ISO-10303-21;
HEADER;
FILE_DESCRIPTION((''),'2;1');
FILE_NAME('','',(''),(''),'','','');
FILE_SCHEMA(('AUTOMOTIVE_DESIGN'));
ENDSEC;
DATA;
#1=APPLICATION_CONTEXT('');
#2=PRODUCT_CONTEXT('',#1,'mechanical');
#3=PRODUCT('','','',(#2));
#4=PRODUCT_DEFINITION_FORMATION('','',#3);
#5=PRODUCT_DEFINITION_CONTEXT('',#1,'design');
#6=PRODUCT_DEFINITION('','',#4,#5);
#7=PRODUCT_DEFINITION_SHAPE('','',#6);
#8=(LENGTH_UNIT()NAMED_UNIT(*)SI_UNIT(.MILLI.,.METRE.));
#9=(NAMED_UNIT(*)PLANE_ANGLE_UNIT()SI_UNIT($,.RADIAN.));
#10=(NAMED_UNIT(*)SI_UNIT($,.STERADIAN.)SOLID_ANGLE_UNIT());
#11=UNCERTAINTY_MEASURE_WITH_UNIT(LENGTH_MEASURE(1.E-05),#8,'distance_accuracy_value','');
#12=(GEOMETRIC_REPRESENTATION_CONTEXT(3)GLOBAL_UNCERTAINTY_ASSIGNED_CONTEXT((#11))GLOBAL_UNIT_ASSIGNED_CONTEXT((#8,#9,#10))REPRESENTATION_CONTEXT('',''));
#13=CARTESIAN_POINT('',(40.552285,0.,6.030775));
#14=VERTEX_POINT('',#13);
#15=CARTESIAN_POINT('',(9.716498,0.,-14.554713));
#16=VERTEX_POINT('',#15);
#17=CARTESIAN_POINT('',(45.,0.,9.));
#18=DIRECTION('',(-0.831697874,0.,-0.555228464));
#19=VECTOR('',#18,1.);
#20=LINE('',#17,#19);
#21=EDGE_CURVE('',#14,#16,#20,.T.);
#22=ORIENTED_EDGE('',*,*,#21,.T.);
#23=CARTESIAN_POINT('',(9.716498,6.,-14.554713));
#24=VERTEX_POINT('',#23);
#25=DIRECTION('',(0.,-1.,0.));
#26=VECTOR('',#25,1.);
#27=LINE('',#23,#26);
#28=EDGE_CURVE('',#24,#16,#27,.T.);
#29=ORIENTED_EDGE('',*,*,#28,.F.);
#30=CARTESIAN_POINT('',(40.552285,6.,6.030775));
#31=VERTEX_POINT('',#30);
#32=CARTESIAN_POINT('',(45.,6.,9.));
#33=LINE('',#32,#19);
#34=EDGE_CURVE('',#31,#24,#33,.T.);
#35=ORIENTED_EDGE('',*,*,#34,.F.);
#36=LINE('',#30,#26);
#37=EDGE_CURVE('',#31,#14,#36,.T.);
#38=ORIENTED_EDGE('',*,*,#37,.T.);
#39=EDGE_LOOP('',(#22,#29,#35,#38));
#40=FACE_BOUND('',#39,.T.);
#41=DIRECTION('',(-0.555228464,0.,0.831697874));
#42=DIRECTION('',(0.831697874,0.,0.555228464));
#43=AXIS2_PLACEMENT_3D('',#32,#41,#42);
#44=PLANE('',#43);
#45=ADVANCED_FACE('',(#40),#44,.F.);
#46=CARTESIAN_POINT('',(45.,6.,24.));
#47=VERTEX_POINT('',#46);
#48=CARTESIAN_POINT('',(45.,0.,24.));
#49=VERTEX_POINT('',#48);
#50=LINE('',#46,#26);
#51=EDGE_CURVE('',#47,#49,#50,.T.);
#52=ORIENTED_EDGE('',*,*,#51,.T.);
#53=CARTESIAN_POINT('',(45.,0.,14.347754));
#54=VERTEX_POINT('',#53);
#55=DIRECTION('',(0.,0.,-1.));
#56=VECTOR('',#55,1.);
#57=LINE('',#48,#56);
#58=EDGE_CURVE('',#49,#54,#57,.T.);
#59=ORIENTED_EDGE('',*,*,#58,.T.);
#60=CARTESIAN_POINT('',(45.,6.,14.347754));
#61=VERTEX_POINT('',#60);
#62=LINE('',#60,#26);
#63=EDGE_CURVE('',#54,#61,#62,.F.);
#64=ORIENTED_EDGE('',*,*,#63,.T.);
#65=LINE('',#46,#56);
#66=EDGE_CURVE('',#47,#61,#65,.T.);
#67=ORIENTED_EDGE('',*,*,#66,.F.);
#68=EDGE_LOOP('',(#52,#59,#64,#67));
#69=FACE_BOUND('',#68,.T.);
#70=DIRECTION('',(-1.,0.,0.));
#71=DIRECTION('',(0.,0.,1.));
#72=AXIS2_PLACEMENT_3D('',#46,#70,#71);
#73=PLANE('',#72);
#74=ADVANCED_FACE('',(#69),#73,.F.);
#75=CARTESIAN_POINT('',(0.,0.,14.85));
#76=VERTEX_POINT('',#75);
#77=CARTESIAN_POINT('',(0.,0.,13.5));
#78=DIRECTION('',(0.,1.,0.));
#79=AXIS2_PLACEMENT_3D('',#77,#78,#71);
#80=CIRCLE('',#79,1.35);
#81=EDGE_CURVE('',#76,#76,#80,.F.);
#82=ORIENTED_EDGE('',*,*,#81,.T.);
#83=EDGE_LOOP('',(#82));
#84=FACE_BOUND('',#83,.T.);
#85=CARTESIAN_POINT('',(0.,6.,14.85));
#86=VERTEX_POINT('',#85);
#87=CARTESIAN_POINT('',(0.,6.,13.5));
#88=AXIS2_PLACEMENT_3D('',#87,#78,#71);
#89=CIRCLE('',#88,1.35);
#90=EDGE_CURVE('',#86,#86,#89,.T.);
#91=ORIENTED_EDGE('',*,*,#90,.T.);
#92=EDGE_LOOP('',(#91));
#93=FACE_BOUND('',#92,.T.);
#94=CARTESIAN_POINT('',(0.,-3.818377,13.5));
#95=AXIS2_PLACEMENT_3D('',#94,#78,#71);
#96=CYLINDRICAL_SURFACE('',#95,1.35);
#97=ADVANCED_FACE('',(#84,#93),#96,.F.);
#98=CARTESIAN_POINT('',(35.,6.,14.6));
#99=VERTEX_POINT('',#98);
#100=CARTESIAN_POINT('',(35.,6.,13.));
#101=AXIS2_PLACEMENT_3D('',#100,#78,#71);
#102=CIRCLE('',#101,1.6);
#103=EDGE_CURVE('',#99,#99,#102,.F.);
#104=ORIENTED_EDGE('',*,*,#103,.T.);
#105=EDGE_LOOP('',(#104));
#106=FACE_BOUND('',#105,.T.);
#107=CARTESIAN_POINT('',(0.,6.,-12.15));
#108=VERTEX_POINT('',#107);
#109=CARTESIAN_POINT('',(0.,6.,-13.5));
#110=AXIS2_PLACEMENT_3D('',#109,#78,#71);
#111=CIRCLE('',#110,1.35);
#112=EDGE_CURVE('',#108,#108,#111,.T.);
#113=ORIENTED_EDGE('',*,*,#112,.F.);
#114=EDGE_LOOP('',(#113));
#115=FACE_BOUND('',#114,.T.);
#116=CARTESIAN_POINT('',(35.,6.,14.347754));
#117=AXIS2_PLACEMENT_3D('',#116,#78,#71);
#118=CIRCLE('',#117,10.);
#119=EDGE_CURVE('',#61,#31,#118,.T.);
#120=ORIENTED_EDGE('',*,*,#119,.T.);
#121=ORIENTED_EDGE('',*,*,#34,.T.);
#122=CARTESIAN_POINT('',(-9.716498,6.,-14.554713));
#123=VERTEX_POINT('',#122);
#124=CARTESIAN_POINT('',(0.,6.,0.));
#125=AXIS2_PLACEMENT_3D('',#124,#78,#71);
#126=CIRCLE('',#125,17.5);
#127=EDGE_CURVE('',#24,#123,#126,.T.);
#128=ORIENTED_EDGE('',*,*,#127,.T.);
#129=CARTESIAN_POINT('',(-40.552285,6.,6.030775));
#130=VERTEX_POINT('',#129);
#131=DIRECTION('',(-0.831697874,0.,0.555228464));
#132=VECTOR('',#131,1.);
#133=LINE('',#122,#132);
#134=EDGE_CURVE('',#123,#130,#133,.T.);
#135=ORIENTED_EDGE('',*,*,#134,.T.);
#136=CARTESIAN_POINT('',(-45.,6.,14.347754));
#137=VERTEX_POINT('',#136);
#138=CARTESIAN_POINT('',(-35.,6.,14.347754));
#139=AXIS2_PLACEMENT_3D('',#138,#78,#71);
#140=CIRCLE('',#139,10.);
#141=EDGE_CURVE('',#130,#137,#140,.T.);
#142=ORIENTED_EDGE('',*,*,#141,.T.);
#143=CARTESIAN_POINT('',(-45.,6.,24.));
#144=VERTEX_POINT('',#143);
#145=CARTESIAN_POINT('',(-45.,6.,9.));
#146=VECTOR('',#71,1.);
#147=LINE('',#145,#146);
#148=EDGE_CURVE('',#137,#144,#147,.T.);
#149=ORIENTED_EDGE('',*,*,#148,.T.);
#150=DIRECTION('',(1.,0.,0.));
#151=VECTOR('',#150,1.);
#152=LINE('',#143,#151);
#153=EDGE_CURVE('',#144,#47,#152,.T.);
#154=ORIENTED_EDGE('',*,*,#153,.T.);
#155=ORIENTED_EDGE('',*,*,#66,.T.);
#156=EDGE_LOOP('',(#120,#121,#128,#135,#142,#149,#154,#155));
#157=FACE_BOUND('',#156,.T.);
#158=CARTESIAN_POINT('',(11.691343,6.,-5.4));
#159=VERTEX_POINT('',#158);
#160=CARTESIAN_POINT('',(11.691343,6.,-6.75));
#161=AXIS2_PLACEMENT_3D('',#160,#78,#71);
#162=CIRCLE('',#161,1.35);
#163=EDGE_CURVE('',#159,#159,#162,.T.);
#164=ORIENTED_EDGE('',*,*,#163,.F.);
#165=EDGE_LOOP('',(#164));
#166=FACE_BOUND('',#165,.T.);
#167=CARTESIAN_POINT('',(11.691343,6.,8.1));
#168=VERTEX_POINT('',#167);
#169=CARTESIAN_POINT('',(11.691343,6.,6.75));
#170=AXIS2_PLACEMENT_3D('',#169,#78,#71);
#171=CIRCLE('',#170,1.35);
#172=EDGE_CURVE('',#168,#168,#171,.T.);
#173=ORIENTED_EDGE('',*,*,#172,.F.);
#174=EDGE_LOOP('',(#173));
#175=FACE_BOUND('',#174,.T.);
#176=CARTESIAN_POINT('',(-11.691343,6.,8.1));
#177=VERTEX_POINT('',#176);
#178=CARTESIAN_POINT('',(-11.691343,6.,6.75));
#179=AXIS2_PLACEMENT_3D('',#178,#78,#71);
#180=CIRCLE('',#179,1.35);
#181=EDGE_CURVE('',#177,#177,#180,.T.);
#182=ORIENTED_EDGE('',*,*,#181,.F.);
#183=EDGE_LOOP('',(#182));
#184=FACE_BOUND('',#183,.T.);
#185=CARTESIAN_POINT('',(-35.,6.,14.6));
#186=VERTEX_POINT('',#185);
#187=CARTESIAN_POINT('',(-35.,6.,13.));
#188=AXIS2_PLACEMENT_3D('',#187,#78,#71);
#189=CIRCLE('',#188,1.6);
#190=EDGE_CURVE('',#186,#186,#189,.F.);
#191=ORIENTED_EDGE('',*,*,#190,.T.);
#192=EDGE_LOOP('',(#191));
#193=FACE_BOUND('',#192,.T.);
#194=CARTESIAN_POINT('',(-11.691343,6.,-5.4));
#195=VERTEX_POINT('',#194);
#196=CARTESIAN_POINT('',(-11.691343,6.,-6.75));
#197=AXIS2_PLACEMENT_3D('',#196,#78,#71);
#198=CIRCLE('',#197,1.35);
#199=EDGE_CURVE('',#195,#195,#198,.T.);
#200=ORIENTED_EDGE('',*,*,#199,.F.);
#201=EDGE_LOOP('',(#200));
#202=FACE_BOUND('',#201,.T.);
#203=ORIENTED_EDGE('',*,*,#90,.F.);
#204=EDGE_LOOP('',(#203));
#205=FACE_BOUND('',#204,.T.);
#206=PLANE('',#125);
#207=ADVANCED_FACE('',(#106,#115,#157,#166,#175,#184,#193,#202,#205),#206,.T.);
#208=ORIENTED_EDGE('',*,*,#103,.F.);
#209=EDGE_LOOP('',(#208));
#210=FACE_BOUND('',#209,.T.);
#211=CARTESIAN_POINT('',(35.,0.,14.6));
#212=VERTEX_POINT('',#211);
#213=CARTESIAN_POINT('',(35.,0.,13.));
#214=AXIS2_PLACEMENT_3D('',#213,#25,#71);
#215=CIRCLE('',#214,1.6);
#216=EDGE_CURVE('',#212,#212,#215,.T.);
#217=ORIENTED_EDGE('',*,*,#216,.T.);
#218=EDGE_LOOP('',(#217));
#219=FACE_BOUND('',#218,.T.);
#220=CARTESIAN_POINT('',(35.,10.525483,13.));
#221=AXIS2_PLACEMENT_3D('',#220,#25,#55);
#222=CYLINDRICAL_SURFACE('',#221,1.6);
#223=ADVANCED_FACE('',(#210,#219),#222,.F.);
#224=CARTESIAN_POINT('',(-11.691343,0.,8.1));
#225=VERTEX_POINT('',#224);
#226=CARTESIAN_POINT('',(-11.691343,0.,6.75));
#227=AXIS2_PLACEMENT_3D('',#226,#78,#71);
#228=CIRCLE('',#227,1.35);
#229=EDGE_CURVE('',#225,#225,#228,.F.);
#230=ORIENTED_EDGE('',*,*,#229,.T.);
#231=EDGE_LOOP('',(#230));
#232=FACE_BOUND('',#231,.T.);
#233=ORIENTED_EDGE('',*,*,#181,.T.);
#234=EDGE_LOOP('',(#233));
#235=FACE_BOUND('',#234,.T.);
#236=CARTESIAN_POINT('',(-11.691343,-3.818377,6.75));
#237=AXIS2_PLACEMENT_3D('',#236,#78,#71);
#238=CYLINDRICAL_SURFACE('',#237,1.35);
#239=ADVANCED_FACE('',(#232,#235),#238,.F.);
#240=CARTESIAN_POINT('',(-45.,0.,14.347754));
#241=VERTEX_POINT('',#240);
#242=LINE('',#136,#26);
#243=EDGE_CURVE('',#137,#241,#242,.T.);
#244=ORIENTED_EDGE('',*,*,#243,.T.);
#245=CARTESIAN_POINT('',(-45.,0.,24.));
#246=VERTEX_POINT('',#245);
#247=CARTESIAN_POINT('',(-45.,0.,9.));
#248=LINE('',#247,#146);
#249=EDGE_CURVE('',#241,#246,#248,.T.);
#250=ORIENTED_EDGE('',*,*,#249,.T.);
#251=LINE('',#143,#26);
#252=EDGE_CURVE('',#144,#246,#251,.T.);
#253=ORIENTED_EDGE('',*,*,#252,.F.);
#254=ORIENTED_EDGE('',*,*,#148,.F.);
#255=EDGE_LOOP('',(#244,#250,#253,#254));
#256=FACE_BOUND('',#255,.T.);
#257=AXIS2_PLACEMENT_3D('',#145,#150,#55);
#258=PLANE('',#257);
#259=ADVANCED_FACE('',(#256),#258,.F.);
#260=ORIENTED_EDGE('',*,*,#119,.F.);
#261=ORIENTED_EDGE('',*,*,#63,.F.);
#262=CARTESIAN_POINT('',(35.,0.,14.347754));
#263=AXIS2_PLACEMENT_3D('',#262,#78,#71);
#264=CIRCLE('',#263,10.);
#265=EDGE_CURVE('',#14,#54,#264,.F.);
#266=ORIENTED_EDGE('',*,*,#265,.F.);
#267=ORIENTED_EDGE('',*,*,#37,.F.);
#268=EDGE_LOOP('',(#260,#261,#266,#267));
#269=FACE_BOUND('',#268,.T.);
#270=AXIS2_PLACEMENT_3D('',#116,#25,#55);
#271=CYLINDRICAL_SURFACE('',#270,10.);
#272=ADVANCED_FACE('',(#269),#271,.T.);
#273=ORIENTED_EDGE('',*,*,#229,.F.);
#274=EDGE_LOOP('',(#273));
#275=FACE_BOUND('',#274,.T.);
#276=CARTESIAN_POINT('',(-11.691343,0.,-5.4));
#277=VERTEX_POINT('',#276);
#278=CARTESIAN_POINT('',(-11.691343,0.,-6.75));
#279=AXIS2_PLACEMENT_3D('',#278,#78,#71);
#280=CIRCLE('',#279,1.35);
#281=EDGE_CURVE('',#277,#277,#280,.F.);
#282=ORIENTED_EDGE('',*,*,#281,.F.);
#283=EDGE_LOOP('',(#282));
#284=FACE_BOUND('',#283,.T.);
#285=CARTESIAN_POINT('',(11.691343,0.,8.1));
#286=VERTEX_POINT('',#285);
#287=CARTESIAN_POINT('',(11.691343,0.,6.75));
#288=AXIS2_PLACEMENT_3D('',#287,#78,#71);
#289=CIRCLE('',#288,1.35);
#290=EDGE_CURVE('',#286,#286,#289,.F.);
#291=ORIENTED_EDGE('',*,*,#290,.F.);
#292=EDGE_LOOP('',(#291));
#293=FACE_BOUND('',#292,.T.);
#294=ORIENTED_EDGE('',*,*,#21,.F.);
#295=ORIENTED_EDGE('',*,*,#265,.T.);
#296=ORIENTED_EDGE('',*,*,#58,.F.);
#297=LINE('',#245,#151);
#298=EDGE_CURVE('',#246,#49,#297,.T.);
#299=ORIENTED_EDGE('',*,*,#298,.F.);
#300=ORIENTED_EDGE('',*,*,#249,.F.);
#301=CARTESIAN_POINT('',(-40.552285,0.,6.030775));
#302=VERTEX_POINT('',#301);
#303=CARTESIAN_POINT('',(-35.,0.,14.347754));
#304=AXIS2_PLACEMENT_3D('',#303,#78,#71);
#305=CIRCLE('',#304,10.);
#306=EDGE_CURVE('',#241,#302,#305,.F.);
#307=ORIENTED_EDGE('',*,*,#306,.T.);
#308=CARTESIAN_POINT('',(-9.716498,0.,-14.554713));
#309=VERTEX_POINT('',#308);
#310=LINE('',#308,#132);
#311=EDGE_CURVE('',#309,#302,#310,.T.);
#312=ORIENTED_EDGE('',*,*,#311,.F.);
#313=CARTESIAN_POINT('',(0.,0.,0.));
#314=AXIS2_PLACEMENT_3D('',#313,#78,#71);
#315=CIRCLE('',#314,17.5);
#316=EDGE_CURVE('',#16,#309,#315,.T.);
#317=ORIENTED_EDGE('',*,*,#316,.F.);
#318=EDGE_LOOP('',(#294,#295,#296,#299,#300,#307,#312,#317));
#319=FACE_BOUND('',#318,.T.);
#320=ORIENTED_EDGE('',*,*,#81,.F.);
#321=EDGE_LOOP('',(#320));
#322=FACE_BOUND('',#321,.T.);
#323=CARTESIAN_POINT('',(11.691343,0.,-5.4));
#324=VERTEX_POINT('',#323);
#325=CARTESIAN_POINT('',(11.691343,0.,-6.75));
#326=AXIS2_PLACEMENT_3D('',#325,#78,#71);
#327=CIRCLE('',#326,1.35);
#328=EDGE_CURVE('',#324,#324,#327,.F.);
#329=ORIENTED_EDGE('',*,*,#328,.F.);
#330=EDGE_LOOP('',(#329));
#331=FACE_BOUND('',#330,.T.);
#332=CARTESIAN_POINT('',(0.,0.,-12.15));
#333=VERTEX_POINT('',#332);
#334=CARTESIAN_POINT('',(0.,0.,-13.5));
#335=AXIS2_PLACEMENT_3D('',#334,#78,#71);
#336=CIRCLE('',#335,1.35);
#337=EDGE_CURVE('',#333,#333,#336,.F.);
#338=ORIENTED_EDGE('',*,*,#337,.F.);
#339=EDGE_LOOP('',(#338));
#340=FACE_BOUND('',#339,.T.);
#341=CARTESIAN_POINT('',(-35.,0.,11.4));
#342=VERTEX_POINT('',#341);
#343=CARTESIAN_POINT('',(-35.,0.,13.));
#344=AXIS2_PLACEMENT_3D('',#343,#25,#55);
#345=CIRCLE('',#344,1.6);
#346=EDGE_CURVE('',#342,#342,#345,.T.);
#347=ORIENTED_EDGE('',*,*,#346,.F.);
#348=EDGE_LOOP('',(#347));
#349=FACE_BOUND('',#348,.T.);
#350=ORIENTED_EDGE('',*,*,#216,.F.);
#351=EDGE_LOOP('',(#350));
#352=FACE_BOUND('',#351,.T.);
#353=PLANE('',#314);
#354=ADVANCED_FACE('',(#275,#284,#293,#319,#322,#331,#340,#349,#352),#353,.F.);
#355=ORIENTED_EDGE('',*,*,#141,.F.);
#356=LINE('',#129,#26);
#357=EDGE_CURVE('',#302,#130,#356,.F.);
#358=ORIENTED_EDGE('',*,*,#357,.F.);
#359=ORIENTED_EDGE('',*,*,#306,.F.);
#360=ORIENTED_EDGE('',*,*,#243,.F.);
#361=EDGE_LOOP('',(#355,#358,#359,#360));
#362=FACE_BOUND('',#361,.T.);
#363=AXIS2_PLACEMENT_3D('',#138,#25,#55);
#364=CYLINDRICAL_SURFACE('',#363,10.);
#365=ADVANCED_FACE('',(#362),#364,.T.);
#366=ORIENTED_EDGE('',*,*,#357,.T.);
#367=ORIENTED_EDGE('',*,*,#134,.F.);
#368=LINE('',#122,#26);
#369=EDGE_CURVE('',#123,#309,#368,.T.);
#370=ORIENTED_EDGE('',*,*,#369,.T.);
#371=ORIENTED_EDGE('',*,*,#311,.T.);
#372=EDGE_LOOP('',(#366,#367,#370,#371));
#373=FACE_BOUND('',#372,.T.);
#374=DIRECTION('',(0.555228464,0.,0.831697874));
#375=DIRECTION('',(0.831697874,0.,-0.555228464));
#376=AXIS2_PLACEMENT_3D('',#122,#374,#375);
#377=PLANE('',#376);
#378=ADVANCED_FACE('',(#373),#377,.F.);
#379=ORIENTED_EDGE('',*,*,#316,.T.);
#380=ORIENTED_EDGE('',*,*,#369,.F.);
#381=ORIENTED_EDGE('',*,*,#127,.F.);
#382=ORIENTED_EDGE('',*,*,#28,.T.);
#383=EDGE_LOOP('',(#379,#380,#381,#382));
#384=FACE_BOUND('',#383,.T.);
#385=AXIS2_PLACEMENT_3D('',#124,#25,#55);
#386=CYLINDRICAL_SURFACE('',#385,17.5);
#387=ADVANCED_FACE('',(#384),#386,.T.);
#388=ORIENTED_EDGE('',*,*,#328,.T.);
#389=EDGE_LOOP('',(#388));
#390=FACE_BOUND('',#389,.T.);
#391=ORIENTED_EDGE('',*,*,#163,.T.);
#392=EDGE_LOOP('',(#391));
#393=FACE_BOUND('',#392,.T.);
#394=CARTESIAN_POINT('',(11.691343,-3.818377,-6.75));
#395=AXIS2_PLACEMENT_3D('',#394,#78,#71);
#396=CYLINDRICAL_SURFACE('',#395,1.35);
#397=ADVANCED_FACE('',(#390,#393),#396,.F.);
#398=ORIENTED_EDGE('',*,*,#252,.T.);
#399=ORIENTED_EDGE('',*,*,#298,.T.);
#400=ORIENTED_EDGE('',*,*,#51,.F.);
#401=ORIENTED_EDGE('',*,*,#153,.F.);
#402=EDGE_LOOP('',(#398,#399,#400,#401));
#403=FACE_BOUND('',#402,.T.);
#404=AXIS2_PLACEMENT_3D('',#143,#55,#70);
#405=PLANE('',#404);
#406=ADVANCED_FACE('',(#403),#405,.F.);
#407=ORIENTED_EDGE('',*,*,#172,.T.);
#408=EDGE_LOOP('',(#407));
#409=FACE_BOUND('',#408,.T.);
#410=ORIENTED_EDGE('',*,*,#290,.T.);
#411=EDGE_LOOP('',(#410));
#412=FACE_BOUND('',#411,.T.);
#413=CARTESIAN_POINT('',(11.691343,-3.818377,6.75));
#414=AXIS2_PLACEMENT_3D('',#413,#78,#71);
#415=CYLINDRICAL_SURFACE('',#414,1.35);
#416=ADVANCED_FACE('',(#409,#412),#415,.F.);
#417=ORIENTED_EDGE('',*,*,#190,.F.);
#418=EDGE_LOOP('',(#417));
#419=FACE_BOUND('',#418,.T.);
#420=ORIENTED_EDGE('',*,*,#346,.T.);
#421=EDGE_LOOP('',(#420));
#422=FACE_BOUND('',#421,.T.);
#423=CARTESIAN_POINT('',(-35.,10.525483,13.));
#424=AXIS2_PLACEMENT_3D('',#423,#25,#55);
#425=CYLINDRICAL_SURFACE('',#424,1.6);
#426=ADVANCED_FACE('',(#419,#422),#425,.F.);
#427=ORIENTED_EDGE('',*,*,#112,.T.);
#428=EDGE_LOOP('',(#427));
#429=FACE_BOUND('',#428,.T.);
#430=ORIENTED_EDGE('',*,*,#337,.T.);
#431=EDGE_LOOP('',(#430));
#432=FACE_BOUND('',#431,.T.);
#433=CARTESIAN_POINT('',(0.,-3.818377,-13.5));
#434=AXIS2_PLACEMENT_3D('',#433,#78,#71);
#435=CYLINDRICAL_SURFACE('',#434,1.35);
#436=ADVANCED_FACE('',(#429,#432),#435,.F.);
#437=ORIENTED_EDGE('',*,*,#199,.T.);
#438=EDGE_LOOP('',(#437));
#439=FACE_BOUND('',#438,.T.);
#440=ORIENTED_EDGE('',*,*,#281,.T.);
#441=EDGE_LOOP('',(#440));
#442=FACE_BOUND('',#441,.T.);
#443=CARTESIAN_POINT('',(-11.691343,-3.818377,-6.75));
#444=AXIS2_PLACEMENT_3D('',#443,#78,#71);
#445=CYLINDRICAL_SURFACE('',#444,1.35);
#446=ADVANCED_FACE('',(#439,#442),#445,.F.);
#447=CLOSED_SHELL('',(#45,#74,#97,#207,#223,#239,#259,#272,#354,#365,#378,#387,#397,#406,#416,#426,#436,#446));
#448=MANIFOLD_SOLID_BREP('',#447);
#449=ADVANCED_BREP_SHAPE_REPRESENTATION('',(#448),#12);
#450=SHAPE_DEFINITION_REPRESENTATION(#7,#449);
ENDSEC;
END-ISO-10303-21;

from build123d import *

# Parameters (mm, degrees)
EXTRUDE_1_DEPTH     = 6
SKETCH_2_R          = 1.35
CUT_EXTRUDE_1_DEPTH = 6
FILLET_1_R          = 10
SKETCH_3_R          = 1.6
CUT_EXTRUDE_2_DEPTH = 6


with BuildPart() as part:
    # 草图1 → 凸台-拉伸1 (new body)
    with BuildSketch(Plane(origin=(0, 0, 0), x_dir=(1, 0, 0), z_dir=(0, 1, 0))):
        with BuildLine():
            Line((-9.716498114, 14.55471279), (-45, -9))
            Line((-45, -9), (-45, -24))
            Line((-45, -24), (45, -24))
            Line((45, -24), (45, -9))
            Line((45, -9), (9.716498114, 14.55471279))
            ThreePointArc((9.716498114, 14.55471279), (0, 17.5), (-9.716498114, 14.55471279))
        make_face()
    extrude(amount=EXTRUDE_1_DEPTH)

    # 草图2 → 切除-拉伸1 (cut)
    with BuildSketch(Plane(origin=(0, 6, 0), x_dir=(1, 0, 0), z_dir=(0, 1, 0))):
        with Locations(Location((0, 13.5, 0), (0, 0, 270))):
            Circle(SKETCH_2_R)
        with Locations(Location((11.691342951, 6.75, 0), (0, 0, 270))):
            Circle(SKETCH_2_R)
        with Locations(Location((11.691342951, -6.75, 0), (0, 0, 270))):
            Circle(SKETCH_2_R)
        with Locations(Location((0, -13.5, 0), (0, 0, 270))):
            Circle(SKETCH_2_R)
        with Locations(Location((-11.691342951, -6.75, 0), (0, 0, 270))):
            Circle(SKETCH_2_R)
        with Locations(Location((-11.691342951, 6.75, 0), (0, 0, 270))):
            Circle(SKETCH_2_R)
    extrude(amount=-CUT_EXTRUDE_1_DEPTH, mode=Mode.SUBTRACT)

    # 圆角1
    fillet_1_edges = [part.edges().sort_by_distance(p)[0] for p in [
        (45, 3, 9),
        (-45, 3, 9),
    ]]
    fillet(fillet_1_edges, radius=FILLET_1_R)

    # 草图3 → 切除-拉伸2 (cut)
    with BuildSketch(Plane.XZ):
        with Locations(Location((-35, 13, 0), (0, 0, 270))):
            Circle(SKETCH_3_R)
        with Locations(Location((35, 13, 0), (0, 0, 90))):
            Circle(SKETCH_3_R)
    extrude(amount=-CUT_EXTRUDE_2_DEPTH, mode=Mode.SUBTRACT)


solid = part.part
